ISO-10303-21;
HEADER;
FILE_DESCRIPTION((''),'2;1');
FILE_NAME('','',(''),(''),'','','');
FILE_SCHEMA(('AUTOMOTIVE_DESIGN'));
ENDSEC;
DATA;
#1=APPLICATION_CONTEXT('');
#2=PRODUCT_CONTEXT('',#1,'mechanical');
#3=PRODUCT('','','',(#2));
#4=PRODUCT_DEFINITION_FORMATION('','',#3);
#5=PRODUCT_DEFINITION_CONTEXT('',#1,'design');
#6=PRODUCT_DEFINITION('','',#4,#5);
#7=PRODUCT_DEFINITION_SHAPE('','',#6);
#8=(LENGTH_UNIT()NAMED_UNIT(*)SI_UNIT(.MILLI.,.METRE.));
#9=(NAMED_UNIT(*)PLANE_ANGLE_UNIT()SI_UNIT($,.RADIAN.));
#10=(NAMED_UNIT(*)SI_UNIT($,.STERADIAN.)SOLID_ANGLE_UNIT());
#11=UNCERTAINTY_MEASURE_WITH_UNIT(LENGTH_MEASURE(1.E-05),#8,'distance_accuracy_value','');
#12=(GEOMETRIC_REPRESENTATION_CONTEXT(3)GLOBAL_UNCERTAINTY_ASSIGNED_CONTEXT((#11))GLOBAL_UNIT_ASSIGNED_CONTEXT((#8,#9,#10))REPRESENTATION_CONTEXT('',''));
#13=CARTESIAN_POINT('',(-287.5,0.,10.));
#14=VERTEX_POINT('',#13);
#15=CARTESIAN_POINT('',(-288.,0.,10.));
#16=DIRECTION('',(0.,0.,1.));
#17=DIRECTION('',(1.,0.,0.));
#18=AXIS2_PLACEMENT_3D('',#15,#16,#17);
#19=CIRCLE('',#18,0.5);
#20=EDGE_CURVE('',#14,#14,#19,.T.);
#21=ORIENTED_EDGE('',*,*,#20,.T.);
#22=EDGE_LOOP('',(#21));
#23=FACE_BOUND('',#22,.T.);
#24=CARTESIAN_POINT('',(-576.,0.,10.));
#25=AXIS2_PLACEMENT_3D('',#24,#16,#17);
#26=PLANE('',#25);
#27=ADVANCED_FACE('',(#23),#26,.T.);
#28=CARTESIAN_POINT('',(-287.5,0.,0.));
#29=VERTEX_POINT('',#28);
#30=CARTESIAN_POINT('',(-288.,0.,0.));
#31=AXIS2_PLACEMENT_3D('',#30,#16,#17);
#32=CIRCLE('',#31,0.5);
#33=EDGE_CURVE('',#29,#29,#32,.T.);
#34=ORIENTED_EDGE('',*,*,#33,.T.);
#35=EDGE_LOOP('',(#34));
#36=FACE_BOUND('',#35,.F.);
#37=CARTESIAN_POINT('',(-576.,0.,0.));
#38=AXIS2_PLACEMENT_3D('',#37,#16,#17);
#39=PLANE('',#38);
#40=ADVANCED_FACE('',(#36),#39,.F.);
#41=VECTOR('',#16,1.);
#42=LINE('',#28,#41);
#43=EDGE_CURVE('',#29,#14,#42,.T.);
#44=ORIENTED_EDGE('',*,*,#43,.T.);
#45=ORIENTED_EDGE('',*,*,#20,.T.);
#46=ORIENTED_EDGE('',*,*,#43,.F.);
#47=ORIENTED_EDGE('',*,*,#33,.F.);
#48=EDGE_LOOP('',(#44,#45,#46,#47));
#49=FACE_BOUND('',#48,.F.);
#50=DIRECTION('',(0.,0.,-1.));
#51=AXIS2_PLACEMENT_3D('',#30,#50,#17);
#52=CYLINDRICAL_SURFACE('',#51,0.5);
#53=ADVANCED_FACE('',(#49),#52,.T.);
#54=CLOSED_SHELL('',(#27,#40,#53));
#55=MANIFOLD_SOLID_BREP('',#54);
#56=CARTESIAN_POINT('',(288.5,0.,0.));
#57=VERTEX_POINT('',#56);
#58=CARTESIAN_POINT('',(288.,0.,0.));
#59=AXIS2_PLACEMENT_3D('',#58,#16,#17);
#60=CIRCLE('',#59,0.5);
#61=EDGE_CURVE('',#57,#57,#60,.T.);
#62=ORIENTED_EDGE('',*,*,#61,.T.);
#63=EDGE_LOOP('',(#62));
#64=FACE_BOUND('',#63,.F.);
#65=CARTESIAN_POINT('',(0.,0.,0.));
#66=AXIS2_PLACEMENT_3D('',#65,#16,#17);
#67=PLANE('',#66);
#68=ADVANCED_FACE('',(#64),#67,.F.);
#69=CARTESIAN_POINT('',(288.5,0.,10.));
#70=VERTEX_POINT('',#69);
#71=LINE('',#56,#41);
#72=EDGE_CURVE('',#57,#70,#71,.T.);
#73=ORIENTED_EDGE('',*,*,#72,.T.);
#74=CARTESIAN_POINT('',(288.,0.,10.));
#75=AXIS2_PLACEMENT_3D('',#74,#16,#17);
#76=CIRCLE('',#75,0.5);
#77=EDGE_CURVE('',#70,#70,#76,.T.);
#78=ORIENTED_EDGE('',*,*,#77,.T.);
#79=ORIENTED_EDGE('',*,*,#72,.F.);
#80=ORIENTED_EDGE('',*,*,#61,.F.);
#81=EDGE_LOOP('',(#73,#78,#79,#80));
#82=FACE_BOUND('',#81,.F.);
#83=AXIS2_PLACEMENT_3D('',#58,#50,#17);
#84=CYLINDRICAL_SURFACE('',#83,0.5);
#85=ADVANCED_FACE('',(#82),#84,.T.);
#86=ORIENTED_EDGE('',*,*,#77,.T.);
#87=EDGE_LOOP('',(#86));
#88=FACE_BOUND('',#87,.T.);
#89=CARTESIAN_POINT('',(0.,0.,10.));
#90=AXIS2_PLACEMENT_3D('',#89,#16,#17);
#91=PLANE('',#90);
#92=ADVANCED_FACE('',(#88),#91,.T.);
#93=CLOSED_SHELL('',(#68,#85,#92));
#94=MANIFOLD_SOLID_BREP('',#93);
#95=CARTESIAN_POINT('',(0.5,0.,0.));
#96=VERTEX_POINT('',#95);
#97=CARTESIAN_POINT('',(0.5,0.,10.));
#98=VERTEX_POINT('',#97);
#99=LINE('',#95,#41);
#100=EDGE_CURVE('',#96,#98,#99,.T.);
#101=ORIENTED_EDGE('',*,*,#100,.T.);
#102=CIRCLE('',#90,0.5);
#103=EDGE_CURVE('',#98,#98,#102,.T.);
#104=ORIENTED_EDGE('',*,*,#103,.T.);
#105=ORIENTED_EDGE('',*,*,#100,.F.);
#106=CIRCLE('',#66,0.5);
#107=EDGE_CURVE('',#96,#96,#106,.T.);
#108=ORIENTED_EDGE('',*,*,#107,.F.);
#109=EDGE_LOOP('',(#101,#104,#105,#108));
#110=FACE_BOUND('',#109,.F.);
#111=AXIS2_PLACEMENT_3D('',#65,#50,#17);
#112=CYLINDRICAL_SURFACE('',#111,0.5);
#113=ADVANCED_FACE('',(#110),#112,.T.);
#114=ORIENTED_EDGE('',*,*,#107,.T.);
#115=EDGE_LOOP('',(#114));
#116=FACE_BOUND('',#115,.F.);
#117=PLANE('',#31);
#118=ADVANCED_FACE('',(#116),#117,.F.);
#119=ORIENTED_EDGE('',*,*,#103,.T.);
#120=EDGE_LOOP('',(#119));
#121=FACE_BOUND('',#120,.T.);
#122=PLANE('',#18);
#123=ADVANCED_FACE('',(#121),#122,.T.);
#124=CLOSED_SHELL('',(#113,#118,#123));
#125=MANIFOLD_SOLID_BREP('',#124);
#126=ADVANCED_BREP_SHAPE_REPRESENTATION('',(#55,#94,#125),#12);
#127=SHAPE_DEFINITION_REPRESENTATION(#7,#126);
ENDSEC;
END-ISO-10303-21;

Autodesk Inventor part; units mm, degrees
ref_plane "YZ Plane" through (0, 0, 0) normal (1, 0, 0) x (0, 1, 0)
ref_plane "XZ Plane" through (0, 0, 0) normal (0, 1, 0) x (-1, 0, 0)
ref_plane "XY Plane" through (0, 0, 0) normal (0, 0, 1) x (1, 0, 0)
sketch "Sketch1" plane through (0, 0, 0) normal (0, 0, 1) x (1, 0, 0)
  line L0 (-357, -9) -> (357, -9)
  line L1 (357, -9) -> (357, 9)
  line L2 (357, 9) -> (-357, 9)
  line L3 (-357, 9) -> (-357, -9)
  line L4 (-357, -9) -> (357, 9) construction
  line L5 (357, -9) -> (-357, 9) construction
  point P0 (0, 0)
  dimension "d0" = 714
  dimension "d1" = 18
sketch "Sketch2" plane through (0, 0, 0) normal (0, 0, 1) x (1, 0, 0)
  circle A0 centre (288, 0) radius 0.5
  line L0 (357, 9) -> (-357, 9) projected
  line L1 (-357, -9) -> (357, -9) projected
  line L2 (0, -12.6) -> (0, 12.6) projected
  line L3 (357, -9) -> (357, 9) projected
  point P0 (0, 0)
  point P1 (357, 0)
  dimension "d4" = 1
  dimension "d26" = 69
extrude "Extrusion1" add sketch "Sketch2" along normal blind 10 contours A0
pattern_linear "Confirmat Array" count 3 spacing 288 along (-1, 0, 0) of "Extrusion1"
equation "\"d26\" = X_Coord"
equation "\"d9\" = Step"
equation "\"d0\" = ContactPatchWidth"
equation "\"d1\" = ContactPatchHeight"
equation "\"ContactPatchWidth\" = 714"
equation "\"ContactPatchHeight\" = 18"
equation "\"PlacingStep\" = 32"
equation "\"PlacingWidth\" = -MinDistFromSide1 + ContactPatchWidth - MinDistFromSide2"
equation "\"PlacingWithByStep\" = 576"
equation "\"X_Coord\" = 69"
equation "\"Step\" = 288"
equation "\"Y_Coord\" = 9.5"
equation "\"CenterX_Coord\" = MinDistFromSide1 + 0.5 * PlacingWidth"
equation "\"MaxDistBetweenByStep\" = 192"
equation "\"DistBetween\" = 297"
equation "\"MinDistFromSide1\" = 60"
equation "\"MinDistFromSide2\" = 60"
properties part number "Confirmat Joint1200"
